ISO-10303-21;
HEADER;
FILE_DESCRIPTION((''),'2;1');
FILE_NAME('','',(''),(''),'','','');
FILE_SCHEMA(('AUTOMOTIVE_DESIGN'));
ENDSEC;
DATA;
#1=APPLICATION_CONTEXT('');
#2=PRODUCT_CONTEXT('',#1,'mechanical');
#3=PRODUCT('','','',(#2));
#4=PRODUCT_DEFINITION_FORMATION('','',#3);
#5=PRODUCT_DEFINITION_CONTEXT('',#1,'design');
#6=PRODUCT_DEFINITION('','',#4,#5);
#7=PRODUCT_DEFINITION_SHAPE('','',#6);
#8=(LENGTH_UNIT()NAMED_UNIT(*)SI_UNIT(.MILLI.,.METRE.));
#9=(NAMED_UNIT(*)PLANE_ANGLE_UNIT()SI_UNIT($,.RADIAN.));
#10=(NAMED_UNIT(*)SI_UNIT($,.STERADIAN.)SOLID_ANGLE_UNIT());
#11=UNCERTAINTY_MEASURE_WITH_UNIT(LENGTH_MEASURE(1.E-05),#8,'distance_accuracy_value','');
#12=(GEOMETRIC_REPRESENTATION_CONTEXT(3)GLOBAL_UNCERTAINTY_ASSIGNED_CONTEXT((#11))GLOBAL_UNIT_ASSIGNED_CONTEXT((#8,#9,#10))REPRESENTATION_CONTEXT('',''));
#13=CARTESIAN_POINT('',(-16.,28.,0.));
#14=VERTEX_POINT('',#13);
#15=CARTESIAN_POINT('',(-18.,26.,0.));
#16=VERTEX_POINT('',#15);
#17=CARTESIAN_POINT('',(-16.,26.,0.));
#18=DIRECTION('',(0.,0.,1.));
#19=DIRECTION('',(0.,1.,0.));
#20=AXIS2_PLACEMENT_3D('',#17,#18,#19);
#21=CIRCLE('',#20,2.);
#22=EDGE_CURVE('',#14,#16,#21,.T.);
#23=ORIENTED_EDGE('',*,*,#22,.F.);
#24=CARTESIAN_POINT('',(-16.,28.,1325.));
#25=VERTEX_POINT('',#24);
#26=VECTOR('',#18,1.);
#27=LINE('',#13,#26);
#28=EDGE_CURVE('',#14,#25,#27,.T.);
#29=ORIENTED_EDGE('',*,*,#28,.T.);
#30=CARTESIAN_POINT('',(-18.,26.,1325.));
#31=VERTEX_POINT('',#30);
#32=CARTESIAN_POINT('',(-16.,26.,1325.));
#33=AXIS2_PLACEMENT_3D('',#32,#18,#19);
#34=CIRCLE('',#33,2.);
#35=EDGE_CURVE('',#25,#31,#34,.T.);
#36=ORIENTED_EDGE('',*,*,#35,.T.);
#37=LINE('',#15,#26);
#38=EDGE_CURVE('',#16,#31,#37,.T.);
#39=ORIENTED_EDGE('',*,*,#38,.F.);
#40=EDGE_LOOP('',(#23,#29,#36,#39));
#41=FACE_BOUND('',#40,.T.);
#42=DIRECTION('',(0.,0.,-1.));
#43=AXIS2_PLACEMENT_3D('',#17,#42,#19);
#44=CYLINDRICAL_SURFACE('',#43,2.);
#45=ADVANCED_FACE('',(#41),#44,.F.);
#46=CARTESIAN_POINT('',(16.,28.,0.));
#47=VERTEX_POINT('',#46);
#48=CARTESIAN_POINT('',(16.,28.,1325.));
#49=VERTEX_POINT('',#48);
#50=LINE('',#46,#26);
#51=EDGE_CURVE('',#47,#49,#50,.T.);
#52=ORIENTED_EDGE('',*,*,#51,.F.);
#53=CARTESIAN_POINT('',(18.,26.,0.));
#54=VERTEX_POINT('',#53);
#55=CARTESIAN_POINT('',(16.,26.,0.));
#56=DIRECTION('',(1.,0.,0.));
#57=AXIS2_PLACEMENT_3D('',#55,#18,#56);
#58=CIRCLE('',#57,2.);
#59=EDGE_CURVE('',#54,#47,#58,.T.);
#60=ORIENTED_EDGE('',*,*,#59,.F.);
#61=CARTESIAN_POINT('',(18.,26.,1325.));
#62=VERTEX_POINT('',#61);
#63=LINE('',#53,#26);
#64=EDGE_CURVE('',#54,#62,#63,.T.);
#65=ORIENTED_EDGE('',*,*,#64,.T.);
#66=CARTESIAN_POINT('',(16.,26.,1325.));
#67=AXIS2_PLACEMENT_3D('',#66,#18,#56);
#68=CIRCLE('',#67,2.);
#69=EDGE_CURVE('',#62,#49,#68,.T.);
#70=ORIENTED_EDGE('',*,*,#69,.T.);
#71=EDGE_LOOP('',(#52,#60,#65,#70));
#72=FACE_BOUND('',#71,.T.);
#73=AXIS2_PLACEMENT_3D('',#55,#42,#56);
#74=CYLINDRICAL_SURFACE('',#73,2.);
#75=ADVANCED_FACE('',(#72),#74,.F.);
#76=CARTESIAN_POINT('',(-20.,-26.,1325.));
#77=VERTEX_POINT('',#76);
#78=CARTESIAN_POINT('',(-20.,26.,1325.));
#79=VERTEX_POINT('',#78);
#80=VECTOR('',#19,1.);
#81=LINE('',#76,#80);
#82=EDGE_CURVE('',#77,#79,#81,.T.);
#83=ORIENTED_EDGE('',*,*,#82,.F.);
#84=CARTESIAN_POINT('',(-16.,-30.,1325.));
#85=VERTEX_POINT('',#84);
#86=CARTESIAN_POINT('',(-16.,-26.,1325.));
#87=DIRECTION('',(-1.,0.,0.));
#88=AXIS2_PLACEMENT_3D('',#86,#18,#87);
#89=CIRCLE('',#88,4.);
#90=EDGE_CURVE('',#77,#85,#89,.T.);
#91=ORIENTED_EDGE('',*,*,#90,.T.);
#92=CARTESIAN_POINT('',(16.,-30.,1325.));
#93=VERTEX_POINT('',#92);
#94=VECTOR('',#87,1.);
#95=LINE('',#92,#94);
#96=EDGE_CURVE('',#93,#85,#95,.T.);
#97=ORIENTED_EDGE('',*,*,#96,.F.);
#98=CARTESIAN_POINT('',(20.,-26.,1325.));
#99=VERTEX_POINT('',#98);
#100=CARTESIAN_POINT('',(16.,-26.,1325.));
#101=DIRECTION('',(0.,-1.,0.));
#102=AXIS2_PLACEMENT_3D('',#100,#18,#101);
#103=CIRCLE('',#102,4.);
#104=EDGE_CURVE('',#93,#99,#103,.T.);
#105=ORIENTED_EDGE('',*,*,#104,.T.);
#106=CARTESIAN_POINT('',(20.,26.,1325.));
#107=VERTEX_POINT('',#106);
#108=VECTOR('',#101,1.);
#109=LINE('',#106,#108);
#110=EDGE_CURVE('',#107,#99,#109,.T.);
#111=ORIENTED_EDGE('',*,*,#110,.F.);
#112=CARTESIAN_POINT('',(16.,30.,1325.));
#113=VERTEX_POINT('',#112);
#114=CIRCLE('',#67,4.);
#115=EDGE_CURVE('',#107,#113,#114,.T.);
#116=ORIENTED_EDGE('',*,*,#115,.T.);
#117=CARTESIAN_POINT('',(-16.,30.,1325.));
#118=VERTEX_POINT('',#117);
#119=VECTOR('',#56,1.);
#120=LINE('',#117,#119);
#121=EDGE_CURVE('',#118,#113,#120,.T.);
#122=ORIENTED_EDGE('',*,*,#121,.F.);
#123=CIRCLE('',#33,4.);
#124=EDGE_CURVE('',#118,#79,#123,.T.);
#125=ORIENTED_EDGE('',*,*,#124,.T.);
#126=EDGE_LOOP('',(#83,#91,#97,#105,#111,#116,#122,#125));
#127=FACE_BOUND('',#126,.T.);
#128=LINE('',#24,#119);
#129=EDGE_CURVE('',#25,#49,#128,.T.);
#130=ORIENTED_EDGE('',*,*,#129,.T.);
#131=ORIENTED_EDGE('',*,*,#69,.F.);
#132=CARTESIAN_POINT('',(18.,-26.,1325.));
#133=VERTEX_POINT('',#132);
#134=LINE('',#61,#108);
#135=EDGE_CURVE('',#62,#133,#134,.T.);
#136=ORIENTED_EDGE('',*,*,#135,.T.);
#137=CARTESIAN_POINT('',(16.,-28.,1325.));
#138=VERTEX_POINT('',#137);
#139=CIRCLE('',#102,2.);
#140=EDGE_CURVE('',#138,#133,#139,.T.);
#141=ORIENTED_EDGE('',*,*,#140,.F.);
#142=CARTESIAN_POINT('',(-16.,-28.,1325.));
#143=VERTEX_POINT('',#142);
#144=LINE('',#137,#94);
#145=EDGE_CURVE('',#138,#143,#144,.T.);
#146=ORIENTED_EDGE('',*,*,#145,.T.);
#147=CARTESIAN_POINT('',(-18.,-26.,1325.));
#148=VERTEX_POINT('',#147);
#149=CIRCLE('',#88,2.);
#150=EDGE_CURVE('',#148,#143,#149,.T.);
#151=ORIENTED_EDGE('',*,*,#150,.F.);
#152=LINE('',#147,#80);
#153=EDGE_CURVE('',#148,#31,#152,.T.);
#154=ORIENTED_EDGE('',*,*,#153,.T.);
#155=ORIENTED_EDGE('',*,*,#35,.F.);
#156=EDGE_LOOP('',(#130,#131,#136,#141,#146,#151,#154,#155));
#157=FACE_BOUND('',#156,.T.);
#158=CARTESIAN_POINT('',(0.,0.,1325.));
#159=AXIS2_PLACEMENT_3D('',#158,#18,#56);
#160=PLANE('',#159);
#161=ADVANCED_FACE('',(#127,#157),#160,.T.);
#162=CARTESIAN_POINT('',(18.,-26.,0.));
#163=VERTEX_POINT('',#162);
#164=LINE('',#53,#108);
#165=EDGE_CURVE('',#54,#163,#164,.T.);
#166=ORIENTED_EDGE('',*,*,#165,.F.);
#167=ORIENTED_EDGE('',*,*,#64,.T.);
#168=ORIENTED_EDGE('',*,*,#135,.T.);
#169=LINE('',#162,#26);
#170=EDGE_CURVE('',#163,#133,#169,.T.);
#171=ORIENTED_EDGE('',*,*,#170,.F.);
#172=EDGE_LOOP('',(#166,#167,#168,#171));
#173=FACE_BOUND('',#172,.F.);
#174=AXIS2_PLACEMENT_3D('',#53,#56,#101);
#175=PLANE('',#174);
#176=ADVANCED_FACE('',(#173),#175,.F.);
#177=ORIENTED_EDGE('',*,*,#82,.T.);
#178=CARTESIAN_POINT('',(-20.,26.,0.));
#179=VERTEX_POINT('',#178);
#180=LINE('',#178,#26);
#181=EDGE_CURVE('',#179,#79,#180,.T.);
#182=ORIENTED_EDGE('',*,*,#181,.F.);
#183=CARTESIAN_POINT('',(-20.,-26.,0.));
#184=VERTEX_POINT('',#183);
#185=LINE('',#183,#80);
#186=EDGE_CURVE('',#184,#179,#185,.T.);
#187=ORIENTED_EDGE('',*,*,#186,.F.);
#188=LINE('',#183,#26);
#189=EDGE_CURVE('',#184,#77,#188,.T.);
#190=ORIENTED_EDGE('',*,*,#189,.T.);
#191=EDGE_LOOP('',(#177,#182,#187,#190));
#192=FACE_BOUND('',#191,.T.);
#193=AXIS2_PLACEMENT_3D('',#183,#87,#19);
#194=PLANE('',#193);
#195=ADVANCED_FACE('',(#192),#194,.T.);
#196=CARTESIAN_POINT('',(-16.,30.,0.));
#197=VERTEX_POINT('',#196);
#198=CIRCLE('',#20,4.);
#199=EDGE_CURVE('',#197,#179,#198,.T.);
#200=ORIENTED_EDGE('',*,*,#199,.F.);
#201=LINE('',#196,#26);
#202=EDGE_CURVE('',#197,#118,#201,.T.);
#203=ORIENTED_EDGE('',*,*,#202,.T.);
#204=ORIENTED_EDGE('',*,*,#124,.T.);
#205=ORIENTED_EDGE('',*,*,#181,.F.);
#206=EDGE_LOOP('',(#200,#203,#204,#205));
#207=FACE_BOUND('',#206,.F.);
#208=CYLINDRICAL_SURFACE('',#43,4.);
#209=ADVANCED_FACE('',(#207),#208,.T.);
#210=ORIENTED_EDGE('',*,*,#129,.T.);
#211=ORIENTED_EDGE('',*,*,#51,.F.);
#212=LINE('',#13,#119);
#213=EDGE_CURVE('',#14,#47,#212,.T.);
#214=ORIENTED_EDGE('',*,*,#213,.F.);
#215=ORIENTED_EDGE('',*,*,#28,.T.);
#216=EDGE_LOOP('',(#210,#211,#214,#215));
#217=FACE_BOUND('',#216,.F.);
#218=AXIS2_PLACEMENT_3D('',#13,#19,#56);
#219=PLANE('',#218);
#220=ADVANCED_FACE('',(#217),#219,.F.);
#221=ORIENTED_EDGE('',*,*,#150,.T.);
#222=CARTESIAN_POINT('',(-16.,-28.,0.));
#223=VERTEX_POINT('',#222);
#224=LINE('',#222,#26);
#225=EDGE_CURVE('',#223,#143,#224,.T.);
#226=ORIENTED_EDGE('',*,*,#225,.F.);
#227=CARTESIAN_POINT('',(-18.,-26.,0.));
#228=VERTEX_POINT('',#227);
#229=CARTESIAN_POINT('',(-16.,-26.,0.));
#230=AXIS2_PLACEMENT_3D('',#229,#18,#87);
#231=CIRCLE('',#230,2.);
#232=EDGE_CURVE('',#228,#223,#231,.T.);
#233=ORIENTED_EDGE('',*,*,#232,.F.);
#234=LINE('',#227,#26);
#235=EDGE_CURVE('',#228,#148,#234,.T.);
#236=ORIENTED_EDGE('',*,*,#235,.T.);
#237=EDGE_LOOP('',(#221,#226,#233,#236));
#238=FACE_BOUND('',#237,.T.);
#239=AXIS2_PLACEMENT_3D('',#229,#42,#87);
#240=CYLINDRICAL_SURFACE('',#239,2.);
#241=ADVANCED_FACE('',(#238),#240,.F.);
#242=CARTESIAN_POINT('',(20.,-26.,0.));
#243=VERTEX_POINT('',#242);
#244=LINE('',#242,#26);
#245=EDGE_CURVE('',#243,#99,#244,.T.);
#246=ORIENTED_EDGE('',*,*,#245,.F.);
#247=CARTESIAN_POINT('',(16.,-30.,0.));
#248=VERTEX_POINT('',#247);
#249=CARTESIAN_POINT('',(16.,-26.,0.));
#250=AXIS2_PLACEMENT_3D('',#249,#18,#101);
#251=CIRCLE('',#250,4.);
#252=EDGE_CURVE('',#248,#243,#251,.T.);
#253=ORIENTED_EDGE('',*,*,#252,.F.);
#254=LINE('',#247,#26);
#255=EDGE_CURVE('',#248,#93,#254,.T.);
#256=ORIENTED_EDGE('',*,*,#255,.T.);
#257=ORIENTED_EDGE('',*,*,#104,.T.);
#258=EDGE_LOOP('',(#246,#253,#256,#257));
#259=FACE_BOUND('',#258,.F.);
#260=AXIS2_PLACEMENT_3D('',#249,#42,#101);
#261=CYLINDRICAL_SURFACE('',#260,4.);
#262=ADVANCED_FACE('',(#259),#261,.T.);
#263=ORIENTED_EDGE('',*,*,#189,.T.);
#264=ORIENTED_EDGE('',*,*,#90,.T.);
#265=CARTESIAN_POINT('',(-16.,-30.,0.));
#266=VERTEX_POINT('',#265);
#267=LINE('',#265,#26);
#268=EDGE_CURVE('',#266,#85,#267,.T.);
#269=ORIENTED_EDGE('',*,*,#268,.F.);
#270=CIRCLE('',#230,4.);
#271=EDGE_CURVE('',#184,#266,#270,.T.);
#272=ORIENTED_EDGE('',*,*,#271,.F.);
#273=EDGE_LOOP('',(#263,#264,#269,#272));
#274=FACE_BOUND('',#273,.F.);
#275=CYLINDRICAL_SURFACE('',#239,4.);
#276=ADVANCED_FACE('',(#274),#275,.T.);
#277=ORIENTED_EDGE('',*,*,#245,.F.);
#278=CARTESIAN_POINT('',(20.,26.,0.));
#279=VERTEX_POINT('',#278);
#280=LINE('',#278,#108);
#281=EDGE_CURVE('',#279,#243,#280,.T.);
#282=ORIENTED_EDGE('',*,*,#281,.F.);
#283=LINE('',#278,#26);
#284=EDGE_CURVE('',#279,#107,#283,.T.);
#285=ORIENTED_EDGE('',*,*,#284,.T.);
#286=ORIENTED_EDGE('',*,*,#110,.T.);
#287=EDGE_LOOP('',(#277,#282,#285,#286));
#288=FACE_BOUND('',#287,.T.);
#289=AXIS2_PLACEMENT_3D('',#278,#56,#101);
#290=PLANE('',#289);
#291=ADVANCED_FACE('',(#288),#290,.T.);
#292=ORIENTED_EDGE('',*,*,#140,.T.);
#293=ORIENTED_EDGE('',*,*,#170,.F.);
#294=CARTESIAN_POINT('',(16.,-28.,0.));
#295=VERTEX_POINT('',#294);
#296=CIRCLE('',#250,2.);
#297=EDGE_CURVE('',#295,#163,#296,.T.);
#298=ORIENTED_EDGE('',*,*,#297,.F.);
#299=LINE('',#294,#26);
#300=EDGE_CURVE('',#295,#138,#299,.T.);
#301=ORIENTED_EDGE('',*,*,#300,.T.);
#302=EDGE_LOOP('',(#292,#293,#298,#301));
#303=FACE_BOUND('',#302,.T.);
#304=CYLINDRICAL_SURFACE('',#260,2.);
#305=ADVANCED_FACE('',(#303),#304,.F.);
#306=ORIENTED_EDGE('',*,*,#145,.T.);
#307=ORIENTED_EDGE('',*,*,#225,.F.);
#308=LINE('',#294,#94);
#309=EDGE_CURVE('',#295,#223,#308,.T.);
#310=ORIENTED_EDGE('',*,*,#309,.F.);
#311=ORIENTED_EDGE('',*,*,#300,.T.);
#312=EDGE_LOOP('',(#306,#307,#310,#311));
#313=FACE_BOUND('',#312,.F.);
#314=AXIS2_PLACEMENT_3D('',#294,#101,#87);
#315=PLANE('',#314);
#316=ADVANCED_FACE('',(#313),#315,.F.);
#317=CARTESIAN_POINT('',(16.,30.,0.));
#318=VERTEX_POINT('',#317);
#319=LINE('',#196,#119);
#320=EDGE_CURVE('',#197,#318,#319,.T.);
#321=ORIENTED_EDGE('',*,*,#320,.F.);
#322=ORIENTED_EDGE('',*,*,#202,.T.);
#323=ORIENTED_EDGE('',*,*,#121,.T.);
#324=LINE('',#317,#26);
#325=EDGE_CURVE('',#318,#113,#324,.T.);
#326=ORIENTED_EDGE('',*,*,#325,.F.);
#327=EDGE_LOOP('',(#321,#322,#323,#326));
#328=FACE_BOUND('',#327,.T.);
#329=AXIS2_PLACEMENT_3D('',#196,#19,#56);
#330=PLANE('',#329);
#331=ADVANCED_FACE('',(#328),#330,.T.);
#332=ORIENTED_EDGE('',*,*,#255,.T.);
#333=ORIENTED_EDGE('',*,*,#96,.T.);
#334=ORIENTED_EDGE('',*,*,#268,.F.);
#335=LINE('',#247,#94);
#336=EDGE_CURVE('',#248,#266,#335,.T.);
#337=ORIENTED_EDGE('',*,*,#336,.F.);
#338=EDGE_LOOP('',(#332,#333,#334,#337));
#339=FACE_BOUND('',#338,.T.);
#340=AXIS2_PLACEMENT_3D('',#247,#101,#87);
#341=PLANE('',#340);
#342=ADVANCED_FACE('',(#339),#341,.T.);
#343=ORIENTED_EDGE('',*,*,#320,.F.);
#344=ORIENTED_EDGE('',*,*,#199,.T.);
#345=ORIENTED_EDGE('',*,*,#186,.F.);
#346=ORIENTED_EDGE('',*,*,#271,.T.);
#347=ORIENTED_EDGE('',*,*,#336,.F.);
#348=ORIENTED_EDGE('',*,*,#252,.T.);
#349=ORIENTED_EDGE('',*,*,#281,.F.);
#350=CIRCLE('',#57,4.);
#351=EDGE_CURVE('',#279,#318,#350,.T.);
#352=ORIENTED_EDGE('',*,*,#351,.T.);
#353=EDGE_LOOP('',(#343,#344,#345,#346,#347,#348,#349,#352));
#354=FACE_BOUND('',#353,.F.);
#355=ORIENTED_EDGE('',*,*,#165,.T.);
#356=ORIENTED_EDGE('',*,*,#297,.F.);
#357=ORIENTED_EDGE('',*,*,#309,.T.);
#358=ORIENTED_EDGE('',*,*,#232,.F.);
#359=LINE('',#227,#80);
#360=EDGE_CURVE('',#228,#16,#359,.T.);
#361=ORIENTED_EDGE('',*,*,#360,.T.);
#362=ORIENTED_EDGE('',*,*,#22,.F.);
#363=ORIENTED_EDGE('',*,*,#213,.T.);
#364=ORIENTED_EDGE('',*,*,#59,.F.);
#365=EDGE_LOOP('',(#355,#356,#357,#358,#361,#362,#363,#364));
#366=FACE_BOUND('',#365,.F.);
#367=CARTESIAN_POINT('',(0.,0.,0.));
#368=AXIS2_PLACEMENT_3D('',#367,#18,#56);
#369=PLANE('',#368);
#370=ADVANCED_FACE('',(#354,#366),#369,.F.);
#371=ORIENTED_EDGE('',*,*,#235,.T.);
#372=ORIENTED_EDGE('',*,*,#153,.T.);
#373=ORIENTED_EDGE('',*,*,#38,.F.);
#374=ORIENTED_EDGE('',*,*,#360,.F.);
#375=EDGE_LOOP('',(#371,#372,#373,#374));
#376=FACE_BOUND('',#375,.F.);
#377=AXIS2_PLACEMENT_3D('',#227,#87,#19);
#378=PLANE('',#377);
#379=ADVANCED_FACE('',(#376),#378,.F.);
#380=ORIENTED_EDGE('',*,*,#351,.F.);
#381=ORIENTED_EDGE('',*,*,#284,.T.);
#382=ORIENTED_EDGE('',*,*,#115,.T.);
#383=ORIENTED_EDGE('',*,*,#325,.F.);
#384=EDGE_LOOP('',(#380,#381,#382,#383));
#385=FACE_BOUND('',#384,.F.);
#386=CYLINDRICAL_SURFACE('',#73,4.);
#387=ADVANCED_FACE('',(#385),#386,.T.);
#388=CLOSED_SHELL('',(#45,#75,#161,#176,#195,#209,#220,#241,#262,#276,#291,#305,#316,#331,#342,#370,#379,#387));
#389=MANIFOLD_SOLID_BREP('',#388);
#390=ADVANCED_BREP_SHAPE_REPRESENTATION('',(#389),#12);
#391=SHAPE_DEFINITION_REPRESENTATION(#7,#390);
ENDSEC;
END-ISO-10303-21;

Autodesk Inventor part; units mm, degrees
ref_plane "YZ Plane" through (0, 0, 0) normal (1, 0, 0) x (0, 1, 0)
ref_plane "Start Plane" through (0, 0, 0) normal (0, 0, 1) x (1, 0, 0)
ref_plane "End Plane" through (0, 0, 1325) normal (0, 0, 1) x (1, 0, 0)
sketch "Sketch" plane through (0, 0, 0) normal (0, 0, 1) x (1, 0, 0)
  line L0 (-20, -26) -> (-20, 26)
  line L1 (-16, 30) -> (16, 30)
  line L2 (20, 26) -> (20, -26)
  line L3 (16, -30) -> (-16, -30)
  arc A0 (-20, -26) -> (-16, -30) centre (-16, -26) ccw
  arc A1 (20, 26) -> (16, 30) centre (16, 26) ccw
  arc A2 (-16, 30) -> (-20, 26) centre (-16, 26) ccw
  arc A3 (16, -30) -> (20, -26) centre (16, -26) ccw
  arc A4 (-16, 28) -> (-18, 26) centre (-16, 26) ccw
  line L4 (-16, 28) -> (16, 28)
  arc A5 (18, 26) -> (16, 28) centre (16, 26) ccw
  line L5 (18, 26) -> (18, -26)
  arc A6 (16, -28) -> (18, -26) centre (16, -26) ccw
  line L6 (16, -28) -> (-16, -28)
  arc A7 (-18, -26) -> (-16, -28) centre (-16, -26) ccw
  line L7 (-18, -26) -> (-18, 26)
  line L8 (0, 43.1598) -> (0, -43.1598) construction
  line L9 (-29.1598, 0) -> (29.1598, 0) construction
  dimension "d7" = 4
  dimension "d9" = 40
  dimension "d11" = 60
  dimension "d12" = 2
  dimension "d15" = 20
  dimension "d16" = 30
extrude "Body" add sketch "Sketch" along normal up to surface (1325 mm away) from surface at 0
sketch "Sketch3" plane through (0, 0, 0) normal (0, 0, 1) x (1, 0, 0)
  line L0 (0, 0) -> (10, 0)
ref_plane "Work Plane3" through (0, 0, 0) normal (0, -1, 0) x (1, 0, 0)
sketch "Sketch4" plane through (0, 0, 0) normal (0, -1, 0) x (1, 0, 0)
  line L0 (-2, 0) -> (12, 0) projected
  line L1 (-2, 1325) -> (12, 1325) projected
  dimension "d18" = 1325
equation "\"d7\" = G_IR"
equation "\"d9\" = G_W"
equation "\"d11\" = G_H"
equation "\"d12\" = G_T"
equation "\"d15\" = 0.5 * d9"
equation "\"d16\" = 0.5 * d11"
equation "\"d3\" = G_L"
equation "\"G_W\" = 40"
equation "\"G_H\" = 60"
equation "\"G_T\" = 2"
equation "\"G_IR\" = 4"
equation "\"G_L\" = d18"
equation "\"G_OFFSET_START\" = 0"
equation "\"G_OFFSET_END\" = 0"
equation "\"d14\" = G_OFFSET_END + B_L"
equation "\"B_L\" = 1325"
properties part number "ISO 10799-2 - 60x40x2 - 1325" material "Steel, Mild"
